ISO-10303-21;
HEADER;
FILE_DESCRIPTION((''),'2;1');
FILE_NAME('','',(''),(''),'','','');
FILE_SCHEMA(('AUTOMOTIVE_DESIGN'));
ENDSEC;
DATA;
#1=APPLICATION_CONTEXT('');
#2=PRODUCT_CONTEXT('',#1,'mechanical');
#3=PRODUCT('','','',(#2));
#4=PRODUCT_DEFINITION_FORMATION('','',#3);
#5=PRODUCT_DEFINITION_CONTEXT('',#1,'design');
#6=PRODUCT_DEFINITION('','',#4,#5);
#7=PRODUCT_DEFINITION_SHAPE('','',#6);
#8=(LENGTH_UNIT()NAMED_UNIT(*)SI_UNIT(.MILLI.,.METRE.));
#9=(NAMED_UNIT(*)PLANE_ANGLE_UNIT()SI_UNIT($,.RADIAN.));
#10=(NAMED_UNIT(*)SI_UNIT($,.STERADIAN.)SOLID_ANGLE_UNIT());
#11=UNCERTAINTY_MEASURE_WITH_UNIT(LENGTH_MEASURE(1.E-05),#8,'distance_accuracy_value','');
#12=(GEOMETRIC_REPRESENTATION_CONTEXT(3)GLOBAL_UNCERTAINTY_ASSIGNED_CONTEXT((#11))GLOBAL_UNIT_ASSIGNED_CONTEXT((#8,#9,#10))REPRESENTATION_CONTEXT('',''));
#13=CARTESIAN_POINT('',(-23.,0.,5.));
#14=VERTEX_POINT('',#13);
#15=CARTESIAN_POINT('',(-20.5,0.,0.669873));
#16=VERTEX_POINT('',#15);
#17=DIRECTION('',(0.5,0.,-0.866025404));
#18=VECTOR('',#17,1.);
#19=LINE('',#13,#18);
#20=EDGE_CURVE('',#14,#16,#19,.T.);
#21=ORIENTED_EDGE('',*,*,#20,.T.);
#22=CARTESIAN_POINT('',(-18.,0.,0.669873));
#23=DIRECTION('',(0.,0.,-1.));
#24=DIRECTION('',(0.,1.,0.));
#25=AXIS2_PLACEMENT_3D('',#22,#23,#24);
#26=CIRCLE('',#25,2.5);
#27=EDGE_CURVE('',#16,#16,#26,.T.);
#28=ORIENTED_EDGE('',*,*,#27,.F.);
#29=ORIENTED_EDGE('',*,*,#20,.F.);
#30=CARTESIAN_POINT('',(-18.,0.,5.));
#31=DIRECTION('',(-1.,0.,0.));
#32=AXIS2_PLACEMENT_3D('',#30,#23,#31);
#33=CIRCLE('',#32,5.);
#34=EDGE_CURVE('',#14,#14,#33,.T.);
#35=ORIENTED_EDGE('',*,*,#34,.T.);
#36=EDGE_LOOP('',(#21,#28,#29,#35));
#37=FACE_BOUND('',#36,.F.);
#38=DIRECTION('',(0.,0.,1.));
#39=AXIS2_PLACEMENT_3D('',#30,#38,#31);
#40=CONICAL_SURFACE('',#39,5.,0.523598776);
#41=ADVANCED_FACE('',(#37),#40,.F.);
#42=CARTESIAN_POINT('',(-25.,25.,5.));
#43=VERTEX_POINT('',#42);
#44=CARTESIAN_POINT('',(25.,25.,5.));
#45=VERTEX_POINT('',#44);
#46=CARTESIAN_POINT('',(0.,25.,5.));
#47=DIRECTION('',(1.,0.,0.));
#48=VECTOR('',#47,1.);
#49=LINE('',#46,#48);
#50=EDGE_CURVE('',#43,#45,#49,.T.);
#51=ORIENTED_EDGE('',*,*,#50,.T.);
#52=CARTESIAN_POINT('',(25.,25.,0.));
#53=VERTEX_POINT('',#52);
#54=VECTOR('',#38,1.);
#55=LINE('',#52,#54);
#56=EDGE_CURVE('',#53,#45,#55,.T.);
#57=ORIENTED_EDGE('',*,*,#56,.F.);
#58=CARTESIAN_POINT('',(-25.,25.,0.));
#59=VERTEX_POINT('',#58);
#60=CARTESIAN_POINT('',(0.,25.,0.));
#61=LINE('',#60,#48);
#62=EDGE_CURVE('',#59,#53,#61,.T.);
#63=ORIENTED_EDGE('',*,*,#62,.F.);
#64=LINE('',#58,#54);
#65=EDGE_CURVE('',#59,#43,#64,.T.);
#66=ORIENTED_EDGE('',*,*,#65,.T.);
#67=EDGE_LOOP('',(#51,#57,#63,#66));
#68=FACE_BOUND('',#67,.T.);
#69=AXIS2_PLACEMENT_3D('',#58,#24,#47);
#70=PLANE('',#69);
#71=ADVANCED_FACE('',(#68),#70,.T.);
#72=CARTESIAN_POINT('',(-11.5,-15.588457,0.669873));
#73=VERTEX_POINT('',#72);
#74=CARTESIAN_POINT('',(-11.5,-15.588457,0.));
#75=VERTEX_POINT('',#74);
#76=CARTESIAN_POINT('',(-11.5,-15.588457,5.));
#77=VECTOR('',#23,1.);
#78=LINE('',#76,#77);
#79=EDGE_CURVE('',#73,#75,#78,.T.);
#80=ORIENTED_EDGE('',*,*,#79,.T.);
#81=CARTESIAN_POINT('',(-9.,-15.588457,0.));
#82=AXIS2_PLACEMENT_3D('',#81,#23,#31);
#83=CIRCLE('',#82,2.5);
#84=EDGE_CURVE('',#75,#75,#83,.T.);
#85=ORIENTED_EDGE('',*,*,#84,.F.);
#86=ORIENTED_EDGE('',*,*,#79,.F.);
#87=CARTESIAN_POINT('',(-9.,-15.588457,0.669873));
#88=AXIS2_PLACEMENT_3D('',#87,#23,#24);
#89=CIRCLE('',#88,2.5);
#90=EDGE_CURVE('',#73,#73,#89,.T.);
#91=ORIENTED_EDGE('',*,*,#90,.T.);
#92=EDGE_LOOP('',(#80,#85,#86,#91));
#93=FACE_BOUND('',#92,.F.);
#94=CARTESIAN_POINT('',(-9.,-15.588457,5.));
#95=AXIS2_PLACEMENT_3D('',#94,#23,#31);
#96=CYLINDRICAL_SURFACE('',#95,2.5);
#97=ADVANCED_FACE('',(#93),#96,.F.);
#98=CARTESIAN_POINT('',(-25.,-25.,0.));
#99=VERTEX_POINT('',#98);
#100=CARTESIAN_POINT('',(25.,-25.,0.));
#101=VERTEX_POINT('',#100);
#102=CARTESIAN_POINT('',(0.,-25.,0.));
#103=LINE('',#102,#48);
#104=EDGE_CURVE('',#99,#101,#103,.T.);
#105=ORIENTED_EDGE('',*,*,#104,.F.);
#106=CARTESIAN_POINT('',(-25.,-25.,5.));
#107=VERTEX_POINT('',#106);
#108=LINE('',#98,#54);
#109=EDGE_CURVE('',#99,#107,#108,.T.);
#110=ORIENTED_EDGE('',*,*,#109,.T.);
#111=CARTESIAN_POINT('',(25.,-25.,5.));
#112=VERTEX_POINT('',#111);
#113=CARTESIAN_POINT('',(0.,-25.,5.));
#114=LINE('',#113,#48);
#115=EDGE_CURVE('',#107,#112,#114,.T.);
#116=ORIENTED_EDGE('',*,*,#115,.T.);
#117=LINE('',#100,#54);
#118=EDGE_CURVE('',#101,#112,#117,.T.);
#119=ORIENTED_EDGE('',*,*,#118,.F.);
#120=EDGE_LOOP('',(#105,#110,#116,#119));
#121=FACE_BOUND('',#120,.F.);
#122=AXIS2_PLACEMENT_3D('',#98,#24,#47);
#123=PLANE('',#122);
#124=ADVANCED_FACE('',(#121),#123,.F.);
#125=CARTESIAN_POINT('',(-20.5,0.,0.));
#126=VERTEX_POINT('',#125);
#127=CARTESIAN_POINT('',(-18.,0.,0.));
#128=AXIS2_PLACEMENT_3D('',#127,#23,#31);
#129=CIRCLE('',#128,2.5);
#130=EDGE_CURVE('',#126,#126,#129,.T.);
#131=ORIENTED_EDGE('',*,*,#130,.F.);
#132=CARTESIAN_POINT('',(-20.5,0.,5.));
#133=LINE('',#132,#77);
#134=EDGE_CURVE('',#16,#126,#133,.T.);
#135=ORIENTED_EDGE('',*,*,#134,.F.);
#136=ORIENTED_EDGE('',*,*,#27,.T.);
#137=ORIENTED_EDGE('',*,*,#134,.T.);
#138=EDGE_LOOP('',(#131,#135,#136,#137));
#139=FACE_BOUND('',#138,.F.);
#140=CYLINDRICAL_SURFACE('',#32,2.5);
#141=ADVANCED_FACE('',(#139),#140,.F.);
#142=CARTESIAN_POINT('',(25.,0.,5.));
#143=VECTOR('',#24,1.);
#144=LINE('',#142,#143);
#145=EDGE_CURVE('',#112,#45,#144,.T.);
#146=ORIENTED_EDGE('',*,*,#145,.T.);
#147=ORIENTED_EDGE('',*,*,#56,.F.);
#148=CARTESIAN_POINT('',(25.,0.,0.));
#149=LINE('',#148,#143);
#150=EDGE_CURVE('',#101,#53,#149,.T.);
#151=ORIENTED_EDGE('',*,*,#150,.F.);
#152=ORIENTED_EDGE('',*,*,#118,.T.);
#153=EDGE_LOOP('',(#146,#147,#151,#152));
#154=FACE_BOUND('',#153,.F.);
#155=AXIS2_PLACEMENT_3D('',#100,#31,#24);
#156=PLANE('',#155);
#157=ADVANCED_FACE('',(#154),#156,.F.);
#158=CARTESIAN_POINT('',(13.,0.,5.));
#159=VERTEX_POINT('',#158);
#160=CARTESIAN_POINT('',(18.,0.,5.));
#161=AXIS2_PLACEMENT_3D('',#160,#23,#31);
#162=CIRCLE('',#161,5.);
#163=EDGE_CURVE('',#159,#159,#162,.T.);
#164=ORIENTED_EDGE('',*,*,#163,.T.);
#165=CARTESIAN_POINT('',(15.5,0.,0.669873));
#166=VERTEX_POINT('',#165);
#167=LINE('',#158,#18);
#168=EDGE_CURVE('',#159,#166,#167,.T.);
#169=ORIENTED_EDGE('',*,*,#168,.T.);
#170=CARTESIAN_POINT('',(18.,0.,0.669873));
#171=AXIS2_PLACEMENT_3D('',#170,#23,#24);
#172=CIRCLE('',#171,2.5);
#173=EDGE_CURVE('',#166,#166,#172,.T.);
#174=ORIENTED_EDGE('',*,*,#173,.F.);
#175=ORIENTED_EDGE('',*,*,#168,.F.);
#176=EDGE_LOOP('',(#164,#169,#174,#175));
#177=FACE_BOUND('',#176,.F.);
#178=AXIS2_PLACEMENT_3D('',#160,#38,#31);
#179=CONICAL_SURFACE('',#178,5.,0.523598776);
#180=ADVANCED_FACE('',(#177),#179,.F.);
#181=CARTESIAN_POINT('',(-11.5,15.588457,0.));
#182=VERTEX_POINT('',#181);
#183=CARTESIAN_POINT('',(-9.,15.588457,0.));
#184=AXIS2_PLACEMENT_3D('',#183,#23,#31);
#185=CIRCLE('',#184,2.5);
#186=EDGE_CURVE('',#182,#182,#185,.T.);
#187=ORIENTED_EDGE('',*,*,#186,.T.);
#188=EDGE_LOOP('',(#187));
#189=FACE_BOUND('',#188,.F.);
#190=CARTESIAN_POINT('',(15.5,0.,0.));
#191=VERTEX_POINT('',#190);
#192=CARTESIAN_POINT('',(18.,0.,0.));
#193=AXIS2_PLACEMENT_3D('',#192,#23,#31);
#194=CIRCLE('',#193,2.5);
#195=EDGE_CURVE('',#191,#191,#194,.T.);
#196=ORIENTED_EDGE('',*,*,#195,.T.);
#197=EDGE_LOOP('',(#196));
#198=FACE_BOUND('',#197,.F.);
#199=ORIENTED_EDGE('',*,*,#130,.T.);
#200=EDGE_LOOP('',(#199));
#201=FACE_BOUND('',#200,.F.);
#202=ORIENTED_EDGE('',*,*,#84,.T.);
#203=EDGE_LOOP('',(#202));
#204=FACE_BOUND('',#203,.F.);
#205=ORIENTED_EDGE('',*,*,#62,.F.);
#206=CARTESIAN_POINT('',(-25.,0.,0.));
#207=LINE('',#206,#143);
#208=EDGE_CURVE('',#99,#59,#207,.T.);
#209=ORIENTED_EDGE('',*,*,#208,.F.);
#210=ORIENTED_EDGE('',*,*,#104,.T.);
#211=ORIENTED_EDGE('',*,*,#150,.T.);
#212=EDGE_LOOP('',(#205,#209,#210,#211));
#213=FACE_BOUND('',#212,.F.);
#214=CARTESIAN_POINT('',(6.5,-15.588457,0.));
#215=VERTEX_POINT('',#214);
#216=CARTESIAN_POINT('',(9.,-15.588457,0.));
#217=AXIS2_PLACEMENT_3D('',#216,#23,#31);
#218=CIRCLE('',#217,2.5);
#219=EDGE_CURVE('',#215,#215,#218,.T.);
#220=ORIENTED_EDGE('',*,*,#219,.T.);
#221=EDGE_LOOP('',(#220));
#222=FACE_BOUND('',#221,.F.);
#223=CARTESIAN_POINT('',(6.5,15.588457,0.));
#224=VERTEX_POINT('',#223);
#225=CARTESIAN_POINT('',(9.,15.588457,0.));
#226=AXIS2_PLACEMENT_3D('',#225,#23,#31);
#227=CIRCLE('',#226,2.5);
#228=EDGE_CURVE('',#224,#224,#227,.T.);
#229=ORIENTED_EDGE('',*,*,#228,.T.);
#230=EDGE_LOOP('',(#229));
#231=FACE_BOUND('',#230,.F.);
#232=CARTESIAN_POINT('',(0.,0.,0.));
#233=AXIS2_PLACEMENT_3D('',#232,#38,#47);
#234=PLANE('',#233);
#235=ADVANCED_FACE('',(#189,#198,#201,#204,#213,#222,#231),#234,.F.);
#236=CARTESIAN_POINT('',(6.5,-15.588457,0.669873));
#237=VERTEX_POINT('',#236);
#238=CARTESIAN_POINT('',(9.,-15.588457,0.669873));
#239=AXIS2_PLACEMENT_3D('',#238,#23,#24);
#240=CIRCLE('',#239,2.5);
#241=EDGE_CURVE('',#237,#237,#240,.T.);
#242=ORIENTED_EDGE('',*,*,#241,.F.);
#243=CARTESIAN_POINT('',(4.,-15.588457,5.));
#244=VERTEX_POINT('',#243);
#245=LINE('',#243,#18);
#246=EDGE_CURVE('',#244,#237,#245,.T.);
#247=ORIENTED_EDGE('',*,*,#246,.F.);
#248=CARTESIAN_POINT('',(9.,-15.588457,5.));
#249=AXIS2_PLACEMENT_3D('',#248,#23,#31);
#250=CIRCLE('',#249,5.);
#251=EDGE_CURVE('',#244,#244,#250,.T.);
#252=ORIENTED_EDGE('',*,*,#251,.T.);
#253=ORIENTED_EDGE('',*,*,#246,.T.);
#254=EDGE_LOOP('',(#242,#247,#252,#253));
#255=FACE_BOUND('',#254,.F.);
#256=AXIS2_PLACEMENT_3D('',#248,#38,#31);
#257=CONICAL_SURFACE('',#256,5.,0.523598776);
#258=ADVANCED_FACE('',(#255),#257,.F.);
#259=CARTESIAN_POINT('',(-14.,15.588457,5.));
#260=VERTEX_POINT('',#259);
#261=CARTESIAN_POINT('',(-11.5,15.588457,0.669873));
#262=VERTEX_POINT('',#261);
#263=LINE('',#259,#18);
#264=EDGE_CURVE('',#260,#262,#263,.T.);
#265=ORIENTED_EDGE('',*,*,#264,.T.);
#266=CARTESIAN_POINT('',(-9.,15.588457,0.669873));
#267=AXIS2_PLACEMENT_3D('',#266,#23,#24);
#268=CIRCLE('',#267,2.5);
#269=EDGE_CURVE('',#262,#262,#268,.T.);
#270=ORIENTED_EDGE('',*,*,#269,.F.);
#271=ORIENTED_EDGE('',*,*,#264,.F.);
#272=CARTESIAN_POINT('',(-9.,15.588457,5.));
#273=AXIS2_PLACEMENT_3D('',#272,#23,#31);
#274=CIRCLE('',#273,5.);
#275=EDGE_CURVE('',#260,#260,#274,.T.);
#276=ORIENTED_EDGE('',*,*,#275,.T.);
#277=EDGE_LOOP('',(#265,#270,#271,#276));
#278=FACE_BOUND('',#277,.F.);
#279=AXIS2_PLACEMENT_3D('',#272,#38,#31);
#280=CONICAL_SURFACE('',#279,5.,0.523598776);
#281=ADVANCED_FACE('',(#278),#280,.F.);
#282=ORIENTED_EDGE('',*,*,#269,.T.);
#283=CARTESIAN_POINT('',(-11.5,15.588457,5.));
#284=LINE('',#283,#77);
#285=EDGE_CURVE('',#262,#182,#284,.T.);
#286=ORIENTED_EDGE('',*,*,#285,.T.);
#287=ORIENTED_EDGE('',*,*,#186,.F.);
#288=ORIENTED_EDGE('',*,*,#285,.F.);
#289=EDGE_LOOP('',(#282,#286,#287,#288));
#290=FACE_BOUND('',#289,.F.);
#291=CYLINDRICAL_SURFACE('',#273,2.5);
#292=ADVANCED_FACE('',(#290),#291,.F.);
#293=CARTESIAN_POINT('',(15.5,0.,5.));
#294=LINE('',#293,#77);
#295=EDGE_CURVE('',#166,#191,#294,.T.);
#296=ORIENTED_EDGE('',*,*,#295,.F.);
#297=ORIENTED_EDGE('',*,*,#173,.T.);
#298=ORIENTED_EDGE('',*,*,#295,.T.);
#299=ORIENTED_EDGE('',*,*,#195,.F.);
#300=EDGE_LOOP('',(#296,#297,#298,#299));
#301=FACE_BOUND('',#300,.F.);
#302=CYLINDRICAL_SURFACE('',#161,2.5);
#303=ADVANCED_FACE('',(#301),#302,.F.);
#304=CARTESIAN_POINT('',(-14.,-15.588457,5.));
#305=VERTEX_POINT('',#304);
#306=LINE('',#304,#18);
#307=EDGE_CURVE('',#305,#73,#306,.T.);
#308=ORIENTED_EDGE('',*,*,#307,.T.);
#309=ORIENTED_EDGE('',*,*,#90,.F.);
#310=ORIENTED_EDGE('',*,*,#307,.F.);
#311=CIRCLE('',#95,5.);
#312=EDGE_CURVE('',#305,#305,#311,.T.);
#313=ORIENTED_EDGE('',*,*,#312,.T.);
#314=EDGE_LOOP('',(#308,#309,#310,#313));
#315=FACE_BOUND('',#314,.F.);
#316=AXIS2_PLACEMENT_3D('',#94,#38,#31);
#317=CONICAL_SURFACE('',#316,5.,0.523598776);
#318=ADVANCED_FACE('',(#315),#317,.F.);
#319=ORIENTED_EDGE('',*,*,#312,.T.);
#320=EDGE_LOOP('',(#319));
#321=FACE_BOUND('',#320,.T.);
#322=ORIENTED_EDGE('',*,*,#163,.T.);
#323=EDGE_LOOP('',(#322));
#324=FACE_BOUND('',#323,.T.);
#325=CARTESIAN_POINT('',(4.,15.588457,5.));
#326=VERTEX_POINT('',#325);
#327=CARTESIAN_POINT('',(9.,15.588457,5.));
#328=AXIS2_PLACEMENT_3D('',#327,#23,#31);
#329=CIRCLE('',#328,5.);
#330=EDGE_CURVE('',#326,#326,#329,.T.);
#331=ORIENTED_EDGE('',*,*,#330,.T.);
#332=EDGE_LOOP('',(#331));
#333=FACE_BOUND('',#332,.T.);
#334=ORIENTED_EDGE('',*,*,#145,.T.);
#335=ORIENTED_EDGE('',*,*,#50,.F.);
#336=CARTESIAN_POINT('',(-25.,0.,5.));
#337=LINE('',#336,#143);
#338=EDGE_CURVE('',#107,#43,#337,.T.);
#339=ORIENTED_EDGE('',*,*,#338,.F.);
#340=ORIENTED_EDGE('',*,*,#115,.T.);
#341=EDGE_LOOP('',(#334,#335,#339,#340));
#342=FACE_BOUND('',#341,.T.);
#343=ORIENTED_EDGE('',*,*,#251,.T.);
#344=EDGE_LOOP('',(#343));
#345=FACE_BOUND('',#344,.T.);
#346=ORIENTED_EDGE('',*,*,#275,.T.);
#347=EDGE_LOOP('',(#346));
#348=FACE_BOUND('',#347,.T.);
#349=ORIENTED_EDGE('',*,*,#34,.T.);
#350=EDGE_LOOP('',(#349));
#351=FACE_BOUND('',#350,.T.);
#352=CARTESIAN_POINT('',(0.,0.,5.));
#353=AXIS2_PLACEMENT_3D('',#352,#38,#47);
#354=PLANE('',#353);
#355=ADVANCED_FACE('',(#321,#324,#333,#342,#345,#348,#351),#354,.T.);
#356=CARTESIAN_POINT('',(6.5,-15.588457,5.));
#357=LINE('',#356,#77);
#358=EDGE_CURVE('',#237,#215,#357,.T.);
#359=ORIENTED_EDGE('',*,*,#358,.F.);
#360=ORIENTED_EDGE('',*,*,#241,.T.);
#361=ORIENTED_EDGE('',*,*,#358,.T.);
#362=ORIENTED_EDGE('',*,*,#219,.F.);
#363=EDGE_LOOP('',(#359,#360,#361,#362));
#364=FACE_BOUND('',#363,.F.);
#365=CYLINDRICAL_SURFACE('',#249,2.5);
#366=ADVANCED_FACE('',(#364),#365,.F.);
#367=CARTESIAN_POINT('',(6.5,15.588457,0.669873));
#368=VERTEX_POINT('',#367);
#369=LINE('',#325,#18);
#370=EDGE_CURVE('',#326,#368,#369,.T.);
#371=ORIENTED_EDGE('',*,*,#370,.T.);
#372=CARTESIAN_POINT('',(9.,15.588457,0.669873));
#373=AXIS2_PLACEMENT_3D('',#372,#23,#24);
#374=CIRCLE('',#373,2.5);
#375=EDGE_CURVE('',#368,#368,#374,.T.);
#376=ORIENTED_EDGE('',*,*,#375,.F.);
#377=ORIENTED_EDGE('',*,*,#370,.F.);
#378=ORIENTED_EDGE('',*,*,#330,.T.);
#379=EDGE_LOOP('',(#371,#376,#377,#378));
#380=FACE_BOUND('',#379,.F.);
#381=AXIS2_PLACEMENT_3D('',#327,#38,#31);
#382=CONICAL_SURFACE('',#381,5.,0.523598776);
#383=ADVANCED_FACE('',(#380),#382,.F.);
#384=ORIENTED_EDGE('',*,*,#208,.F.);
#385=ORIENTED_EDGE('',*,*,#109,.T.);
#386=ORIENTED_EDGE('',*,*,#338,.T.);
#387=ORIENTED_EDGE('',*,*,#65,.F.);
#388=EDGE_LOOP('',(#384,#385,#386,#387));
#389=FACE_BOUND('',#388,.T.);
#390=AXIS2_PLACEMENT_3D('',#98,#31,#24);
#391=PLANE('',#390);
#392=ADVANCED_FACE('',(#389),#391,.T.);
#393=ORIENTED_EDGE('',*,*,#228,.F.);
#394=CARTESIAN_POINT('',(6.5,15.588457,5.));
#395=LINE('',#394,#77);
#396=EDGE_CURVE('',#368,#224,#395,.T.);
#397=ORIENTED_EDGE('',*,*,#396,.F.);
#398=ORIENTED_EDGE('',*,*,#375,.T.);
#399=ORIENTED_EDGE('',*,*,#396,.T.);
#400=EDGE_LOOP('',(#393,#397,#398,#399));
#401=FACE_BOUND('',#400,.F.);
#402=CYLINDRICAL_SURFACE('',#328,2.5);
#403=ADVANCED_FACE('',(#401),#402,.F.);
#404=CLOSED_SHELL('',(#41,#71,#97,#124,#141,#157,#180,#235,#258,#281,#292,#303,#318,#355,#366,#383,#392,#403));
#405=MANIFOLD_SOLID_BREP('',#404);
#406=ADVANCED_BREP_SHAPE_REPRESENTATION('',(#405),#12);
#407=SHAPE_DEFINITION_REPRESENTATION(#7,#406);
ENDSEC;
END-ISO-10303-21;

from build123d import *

# Parameters (mm, degrees)
F0_W           = 50
F0_H           = 50
F1_DEPTH       = 5
F3_D           = 5
F3_DEPTH       = 12
F3_CSINK_D     = 10
F3_CSINK_ANGLE = 60


with BuildPart() as f1:
    # F0 (on Top) → F1 (new body)
    with BuildSketch(Plane.XY):
        Rectangle(F0_W, F0_H)
    extrude(amount=F1_DEPTH)

    # F3
    with Locations(Plane.XY.offset(5)):
        with Locations((9, 15.588457), (18, 0), (9, -15.588457), (-9, -15.588457), (-18, 0), (-9, 15.588457)):
            CounterSinkHole(F3_D / 2, F3_CSINK_D / 2, depth=F3_DEPTH, counter_sink_angle=F3_CSINK_ANGLE)


solid = f1.part
